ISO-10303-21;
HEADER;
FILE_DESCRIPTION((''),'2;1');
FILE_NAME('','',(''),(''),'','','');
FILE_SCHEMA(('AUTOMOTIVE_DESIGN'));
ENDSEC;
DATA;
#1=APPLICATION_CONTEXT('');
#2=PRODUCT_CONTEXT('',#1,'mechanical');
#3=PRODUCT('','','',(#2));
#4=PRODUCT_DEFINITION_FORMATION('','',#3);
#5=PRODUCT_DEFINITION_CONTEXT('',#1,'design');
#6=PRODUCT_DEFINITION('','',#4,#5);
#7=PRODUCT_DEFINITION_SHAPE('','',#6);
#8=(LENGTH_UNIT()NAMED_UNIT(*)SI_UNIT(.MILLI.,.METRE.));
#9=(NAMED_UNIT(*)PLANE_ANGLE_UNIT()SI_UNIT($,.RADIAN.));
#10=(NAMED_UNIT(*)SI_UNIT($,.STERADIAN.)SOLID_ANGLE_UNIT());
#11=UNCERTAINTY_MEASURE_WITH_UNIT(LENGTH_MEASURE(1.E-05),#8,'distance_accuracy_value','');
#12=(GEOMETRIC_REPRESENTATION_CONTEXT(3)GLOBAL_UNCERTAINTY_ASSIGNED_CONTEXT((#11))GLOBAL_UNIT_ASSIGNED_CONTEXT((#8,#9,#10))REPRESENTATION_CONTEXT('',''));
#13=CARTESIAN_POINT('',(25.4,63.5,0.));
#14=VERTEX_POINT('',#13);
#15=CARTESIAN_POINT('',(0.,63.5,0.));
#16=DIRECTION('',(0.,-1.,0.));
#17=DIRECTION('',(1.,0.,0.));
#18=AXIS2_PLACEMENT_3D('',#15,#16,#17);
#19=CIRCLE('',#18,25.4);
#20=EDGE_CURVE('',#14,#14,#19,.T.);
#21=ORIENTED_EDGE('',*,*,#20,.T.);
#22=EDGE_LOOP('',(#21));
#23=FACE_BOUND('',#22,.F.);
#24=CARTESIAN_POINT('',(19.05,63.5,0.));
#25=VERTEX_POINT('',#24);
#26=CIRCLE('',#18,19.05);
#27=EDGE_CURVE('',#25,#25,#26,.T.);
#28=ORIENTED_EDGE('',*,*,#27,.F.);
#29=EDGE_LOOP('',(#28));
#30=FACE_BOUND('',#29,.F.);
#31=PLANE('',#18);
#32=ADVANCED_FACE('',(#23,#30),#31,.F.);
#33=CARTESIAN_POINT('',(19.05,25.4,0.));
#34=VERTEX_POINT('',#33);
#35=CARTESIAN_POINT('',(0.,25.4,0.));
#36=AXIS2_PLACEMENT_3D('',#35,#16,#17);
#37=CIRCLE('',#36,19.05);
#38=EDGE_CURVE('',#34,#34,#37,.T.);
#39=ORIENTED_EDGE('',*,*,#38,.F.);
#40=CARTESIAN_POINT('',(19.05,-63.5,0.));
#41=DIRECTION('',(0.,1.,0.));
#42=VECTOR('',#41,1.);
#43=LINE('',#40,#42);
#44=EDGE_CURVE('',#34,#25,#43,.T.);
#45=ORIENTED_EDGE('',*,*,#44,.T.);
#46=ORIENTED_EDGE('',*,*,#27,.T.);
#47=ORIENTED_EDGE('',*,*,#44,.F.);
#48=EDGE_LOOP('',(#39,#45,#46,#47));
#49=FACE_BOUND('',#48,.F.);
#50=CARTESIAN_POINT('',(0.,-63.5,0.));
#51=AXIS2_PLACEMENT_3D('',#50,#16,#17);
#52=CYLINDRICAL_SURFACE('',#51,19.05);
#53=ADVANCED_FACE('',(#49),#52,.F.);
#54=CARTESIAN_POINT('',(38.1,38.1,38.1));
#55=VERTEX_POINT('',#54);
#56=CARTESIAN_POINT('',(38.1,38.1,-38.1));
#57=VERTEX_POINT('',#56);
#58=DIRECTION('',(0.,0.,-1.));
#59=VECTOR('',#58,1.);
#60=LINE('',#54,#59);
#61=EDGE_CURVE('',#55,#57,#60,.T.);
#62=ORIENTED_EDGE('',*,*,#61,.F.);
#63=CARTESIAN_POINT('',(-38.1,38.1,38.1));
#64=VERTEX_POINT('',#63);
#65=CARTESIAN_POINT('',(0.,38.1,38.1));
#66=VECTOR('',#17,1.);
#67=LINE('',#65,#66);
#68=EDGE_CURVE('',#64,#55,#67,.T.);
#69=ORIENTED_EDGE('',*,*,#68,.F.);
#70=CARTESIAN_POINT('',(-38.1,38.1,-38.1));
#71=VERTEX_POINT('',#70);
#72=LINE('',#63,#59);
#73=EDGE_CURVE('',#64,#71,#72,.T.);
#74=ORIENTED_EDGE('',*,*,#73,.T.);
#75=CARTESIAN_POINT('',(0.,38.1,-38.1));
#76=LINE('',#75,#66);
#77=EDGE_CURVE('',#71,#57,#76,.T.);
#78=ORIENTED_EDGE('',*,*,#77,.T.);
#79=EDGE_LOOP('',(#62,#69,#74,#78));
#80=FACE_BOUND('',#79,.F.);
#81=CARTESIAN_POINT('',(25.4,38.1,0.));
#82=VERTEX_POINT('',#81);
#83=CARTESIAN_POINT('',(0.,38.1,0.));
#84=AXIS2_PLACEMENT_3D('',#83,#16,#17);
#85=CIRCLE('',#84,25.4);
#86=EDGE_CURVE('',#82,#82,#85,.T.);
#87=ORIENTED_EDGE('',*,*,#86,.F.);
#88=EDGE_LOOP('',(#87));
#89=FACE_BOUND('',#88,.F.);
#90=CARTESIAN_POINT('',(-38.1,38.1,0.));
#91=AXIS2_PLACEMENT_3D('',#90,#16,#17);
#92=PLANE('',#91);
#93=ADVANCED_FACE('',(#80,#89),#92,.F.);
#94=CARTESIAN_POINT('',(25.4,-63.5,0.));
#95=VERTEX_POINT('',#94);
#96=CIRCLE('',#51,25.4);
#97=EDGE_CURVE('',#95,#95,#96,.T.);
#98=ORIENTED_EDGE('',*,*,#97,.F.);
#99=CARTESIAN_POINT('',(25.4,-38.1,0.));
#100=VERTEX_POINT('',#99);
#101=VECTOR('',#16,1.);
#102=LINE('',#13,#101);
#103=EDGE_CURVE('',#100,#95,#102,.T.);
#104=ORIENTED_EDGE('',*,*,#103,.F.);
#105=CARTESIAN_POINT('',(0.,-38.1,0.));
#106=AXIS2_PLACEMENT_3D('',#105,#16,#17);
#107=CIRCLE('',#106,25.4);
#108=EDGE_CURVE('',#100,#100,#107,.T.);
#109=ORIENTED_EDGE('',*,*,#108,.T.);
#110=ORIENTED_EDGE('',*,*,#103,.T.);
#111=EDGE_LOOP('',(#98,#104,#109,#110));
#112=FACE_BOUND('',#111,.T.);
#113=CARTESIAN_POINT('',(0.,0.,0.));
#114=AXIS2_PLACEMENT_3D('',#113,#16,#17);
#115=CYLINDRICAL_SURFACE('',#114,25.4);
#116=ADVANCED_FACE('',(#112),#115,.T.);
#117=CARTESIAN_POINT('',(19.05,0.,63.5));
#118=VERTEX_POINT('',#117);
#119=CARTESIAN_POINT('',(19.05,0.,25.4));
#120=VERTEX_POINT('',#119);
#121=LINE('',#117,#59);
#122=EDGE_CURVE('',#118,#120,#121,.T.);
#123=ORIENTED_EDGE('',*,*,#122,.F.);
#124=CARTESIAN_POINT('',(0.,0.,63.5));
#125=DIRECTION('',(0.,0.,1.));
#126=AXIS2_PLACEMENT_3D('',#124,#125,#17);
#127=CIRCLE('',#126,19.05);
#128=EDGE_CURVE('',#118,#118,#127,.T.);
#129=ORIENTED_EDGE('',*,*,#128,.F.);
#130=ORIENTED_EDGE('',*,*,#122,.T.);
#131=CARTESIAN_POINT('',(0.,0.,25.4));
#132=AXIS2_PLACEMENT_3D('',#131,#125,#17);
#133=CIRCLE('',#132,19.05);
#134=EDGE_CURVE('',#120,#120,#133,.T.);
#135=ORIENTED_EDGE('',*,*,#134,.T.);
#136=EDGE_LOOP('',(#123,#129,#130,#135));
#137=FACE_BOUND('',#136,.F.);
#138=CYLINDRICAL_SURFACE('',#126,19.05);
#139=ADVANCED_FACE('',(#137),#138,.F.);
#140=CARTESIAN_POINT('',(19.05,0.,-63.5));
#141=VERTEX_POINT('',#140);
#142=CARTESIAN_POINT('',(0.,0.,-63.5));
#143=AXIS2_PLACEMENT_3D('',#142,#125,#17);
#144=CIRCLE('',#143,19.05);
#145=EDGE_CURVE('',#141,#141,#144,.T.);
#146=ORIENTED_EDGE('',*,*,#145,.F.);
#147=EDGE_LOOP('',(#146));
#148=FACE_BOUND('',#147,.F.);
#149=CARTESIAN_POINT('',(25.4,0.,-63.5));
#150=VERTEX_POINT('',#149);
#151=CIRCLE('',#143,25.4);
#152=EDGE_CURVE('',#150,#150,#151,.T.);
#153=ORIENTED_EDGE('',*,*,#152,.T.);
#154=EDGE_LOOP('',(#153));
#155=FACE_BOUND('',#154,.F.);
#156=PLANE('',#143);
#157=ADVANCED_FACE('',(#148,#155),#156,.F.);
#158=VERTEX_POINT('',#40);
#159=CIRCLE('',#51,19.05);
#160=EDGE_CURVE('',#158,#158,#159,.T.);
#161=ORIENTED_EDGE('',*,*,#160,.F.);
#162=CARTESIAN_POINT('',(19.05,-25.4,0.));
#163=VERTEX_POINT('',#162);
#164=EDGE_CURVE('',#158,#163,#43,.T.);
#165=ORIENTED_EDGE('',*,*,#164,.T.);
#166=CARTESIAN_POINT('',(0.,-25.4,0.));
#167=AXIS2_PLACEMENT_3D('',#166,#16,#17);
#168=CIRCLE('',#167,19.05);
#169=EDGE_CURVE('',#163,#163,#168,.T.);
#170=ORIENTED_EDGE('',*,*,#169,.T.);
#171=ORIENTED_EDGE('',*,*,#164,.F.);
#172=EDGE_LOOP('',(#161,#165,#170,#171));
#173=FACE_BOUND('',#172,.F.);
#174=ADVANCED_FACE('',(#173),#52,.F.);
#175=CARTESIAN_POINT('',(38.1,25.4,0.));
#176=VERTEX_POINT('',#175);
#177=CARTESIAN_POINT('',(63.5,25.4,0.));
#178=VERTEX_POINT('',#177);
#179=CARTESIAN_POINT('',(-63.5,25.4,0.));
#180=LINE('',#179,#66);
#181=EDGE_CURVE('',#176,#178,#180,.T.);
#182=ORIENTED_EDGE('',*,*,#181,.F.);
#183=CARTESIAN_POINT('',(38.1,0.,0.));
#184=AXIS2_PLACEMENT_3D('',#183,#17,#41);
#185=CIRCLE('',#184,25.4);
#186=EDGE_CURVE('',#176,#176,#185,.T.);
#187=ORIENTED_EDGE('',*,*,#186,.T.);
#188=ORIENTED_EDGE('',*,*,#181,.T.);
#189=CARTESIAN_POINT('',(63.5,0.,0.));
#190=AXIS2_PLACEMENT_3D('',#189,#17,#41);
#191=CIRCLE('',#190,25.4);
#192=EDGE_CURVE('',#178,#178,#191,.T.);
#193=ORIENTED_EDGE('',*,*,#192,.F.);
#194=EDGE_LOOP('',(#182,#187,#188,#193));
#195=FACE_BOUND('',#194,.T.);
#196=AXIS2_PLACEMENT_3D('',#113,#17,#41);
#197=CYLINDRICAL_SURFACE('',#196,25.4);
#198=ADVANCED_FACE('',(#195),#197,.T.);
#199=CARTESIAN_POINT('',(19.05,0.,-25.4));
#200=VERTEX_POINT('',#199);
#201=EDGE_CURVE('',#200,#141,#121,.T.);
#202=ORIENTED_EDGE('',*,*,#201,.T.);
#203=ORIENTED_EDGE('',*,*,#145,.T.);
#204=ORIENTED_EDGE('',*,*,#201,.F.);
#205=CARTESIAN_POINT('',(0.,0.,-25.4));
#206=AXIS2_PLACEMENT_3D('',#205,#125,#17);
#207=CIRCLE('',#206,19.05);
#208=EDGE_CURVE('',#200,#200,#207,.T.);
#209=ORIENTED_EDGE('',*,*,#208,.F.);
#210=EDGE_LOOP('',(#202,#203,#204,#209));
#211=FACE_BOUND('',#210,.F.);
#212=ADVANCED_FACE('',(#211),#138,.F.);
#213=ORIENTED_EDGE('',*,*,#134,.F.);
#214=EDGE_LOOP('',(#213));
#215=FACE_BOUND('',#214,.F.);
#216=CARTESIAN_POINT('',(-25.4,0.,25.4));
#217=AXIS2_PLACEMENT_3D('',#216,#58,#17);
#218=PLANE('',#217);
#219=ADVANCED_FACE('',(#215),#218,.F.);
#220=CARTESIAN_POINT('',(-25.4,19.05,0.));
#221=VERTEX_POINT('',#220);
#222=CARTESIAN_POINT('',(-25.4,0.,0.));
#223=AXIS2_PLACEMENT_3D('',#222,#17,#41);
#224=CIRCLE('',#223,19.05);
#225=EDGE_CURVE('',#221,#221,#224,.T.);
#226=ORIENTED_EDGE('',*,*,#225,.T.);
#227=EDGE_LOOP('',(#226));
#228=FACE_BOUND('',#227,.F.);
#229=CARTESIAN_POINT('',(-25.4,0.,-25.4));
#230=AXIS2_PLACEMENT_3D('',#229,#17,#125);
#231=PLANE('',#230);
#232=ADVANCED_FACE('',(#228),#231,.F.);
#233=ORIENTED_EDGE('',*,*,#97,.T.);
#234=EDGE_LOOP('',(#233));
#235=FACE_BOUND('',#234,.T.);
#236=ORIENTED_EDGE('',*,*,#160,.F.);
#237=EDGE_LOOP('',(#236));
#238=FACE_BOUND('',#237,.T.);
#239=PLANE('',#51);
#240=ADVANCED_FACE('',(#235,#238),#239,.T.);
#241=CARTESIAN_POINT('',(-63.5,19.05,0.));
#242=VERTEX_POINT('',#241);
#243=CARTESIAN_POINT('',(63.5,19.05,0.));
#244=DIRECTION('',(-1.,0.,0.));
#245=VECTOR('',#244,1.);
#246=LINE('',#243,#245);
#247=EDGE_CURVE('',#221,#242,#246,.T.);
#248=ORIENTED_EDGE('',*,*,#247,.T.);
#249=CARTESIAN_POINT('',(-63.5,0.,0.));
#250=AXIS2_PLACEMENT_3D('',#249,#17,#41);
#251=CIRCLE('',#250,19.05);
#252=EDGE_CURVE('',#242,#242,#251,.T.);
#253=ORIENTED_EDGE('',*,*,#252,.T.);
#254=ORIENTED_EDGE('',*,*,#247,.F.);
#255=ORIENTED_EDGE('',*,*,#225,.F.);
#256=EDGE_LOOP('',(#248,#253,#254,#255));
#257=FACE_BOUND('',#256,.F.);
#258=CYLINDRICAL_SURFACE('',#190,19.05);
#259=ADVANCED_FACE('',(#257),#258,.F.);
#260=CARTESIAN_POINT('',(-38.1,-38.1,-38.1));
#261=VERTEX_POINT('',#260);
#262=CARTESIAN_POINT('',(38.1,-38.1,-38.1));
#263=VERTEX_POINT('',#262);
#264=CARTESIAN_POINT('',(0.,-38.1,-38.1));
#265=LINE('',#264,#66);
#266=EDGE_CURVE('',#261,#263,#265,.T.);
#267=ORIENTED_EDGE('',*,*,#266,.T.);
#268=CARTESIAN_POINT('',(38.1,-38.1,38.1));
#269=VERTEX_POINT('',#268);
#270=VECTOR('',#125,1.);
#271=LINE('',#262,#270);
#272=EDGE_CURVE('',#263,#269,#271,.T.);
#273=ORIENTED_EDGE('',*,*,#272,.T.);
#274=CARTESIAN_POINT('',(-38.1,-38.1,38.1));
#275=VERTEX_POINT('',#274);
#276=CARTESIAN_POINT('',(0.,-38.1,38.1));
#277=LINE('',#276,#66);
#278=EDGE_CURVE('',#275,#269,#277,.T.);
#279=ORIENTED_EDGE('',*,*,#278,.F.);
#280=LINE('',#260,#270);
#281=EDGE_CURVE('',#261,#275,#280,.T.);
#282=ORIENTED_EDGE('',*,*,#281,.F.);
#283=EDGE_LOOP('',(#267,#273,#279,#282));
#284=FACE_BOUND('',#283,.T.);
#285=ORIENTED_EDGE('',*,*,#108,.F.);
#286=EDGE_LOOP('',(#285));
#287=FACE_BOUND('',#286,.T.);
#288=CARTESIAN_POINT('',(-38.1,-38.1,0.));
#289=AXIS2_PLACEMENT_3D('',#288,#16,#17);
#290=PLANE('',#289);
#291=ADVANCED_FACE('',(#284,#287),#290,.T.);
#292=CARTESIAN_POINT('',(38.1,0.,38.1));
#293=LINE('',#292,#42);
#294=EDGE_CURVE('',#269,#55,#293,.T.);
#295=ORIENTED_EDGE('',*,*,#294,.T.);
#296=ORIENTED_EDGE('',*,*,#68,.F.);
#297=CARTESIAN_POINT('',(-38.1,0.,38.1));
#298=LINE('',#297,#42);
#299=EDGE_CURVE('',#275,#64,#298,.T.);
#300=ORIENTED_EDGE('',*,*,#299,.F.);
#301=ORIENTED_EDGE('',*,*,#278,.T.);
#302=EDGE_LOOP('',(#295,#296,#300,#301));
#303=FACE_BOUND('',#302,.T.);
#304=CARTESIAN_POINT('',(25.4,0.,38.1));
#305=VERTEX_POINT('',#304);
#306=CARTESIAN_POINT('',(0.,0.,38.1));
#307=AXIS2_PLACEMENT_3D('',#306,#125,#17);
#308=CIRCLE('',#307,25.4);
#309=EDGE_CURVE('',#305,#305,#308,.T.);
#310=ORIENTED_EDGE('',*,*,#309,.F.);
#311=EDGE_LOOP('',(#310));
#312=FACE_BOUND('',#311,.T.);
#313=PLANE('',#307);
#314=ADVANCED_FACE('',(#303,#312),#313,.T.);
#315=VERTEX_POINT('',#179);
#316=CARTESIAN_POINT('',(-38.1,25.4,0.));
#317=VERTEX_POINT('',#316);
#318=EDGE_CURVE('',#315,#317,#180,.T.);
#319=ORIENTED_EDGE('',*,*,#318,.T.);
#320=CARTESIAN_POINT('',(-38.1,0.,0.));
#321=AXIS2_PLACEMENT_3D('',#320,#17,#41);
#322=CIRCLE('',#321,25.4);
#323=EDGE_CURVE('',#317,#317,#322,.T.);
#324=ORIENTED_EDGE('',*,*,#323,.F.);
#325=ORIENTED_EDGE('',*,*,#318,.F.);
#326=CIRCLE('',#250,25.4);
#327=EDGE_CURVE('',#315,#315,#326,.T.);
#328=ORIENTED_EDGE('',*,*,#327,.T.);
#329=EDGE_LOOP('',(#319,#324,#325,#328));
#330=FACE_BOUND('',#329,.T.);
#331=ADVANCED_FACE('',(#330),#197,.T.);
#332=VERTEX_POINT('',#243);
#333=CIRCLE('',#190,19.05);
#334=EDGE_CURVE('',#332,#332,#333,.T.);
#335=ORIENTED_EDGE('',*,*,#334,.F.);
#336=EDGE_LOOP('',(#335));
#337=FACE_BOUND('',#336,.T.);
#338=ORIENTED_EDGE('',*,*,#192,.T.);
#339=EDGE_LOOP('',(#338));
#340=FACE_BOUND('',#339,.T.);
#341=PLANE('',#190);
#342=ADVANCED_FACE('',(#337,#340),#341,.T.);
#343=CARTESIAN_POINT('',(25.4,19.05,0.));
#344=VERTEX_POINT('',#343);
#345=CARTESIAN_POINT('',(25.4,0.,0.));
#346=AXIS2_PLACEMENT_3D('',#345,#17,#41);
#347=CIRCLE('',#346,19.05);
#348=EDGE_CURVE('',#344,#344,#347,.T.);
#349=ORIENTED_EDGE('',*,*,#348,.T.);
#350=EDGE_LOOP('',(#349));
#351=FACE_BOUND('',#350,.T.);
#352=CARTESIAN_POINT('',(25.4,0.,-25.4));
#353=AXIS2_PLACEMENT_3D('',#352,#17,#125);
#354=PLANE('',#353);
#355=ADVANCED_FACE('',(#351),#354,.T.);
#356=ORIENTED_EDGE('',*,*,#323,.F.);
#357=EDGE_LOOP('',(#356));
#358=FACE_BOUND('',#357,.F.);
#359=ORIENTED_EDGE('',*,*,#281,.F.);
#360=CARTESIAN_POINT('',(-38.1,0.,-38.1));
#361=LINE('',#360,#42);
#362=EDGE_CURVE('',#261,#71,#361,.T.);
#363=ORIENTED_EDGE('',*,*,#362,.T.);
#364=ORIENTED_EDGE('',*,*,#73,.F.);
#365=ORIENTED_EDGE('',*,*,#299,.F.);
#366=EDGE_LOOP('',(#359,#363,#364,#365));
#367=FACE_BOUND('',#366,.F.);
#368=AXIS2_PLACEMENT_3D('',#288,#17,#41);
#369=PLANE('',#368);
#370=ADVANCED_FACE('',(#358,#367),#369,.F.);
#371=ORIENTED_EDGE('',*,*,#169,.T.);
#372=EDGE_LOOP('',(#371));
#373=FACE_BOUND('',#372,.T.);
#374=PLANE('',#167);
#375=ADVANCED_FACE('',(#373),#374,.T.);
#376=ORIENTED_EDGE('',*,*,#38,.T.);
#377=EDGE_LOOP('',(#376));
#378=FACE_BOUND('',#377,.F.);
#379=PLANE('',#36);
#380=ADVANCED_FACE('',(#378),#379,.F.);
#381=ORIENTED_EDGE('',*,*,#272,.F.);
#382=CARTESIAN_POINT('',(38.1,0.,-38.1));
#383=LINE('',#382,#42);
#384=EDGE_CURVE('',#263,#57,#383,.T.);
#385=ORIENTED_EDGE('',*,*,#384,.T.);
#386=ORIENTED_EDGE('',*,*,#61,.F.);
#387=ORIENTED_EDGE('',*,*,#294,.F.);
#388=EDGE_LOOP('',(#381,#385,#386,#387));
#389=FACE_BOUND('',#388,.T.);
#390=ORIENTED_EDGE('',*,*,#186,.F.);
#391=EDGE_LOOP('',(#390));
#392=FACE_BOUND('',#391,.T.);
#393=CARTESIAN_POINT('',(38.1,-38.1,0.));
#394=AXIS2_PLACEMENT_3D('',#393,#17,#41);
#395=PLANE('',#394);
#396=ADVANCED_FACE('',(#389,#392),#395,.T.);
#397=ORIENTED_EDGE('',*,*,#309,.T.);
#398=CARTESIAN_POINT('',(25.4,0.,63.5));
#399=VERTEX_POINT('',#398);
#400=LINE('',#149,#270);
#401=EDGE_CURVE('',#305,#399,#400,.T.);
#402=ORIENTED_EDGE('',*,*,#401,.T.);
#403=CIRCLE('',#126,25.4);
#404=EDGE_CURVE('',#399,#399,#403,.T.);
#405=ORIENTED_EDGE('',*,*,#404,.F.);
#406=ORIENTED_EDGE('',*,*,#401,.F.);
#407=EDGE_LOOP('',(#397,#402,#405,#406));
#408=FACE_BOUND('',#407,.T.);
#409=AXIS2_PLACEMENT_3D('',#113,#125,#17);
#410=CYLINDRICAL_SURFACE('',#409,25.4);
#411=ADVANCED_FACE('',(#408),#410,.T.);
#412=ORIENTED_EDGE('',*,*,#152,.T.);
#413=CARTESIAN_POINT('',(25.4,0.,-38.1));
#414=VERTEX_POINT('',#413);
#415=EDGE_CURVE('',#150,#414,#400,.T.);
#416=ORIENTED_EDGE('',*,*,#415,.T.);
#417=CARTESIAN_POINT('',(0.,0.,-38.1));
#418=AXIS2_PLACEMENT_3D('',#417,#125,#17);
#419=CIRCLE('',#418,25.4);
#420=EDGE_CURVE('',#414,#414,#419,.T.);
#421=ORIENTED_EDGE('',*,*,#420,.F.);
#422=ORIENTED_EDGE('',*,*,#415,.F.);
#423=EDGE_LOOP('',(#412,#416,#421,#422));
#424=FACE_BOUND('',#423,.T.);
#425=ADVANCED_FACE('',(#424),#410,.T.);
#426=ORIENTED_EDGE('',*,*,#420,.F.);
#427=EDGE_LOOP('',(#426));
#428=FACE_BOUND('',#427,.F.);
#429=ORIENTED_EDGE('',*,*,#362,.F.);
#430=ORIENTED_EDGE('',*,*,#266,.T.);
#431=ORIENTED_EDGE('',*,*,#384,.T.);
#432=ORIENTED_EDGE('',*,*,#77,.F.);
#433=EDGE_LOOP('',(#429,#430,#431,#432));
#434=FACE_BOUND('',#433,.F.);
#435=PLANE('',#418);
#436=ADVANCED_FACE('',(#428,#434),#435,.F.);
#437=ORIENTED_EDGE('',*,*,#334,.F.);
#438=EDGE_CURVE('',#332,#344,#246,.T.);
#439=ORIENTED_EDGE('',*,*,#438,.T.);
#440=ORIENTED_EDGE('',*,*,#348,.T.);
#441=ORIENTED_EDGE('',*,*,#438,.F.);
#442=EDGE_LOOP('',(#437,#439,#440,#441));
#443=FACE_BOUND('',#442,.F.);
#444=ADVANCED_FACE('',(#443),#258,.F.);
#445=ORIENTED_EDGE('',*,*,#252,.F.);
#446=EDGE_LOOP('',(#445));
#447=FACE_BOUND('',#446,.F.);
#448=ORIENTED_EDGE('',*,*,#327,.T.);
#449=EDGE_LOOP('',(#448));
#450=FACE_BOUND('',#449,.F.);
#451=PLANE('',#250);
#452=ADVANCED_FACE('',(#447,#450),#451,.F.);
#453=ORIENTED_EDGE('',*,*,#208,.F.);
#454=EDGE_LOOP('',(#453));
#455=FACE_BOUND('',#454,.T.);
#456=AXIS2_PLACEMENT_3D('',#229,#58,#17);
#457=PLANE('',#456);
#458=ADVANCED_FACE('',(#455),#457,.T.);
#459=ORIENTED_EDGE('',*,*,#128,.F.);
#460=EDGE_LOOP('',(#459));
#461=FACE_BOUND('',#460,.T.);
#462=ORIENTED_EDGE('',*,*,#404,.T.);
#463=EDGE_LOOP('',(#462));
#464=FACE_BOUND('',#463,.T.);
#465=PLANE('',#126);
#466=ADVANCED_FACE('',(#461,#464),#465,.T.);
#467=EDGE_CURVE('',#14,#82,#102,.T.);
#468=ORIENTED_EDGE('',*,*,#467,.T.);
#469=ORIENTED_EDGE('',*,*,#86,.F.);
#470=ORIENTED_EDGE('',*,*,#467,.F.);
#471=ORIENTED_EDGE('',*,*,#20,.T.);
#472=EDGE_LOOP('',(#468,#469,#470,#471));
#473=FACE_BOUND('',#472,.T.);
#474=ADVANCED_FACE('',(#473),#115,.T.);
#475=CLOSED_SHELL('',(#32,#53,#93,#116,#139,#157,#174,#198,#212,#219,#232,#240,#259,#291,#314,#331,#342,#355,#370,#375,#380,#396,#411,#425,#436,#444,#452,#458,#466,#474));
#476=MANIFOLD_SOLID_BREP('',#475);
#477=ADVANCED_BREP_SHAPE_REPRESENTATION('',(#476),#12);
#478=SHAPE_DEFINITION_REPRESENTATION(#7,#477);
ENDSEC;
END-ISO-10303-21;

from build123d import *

# Parameters (mm, degrees)
F0_W      = 76.2
F0_H      = 76.2
F0_R      = 25.4
F1_DEPTH  = 38.1
F2_DEPTH  = 63.5
F3_R      = 25.4
F4_DEPTH  = 63.5
F5_R      = 25.4
F6_DEPTH  = 63.5
F7_R      = 19.05
F8_DEPTH  = 127.001
F9_R      = 19.05
F10_DEPTH = 127.001
F11_R     = 19.05
F12_DEPTH = 127.001
F13_W     = 50.8
F13_H     = 50.8
F14_DEPTH = 25.4


with BuildPart() as f1:
    # F0 (on Top) → F1 (new body, symmetric)
    with BuildSketch(Plane.XY):
        Rectangle(F0_W, F0_H)
        Circle(F0_R, mode=Mode.SUBTRACT)
    extrude(amount=F1_DEPTH, both=True)

    # F0 (on Top) → F2 (join, symmetric)
    with BuildSketch(Plane.XY):
        Circle(F0_R)
    extrude(amount=F2_DEPTH, both=True)

    # F3 (on Front) → F4 (join, symmetric)
    with BuildSketch(Plane.XZ):
        Circle(F3_R)
    extrude(amount=F4_DEPTH, both=True)

    # F5 (on Right) → F6 (join, symmetric)
    with BuildSketch(Plane.YZ):
        Circle(F5_R)
    extrude(amount=F6_DEPTH, both=True)

    # F7 (on face) → F8 (cut, through all)
    with BuildSketch(Plane.XY.offset(63.5)):
        Circle(F7_R)
    extrude(amount=-F8_DEPTH, mode=Mode.SUBTRACT)

    # F9 (on face) → F10 (cut, through all)
    with BuildSketch(Plane.XZ.offset(63.5)):
        Circle(F9_R)
    extrude(amount=-F10_DEPTH, mode=Mode.SUBTRACT)

    # F11 (on face) → F12 (cut, through all)
    with BuildSketch(Plane.YZ.offset(63.5)):
        Circle(F11_R)
    extrude(amount=-F12_DEPTH, mode=Mode.SUBTRACT)

    # F13 (on Front) → F14 (join, symmetric)
    with BuildSketch(Plane.XZ):
        Rectangle(F13_W, F13_H)
    extrude(amount=F14_DEPTH, both=True)


solid = f1.part
